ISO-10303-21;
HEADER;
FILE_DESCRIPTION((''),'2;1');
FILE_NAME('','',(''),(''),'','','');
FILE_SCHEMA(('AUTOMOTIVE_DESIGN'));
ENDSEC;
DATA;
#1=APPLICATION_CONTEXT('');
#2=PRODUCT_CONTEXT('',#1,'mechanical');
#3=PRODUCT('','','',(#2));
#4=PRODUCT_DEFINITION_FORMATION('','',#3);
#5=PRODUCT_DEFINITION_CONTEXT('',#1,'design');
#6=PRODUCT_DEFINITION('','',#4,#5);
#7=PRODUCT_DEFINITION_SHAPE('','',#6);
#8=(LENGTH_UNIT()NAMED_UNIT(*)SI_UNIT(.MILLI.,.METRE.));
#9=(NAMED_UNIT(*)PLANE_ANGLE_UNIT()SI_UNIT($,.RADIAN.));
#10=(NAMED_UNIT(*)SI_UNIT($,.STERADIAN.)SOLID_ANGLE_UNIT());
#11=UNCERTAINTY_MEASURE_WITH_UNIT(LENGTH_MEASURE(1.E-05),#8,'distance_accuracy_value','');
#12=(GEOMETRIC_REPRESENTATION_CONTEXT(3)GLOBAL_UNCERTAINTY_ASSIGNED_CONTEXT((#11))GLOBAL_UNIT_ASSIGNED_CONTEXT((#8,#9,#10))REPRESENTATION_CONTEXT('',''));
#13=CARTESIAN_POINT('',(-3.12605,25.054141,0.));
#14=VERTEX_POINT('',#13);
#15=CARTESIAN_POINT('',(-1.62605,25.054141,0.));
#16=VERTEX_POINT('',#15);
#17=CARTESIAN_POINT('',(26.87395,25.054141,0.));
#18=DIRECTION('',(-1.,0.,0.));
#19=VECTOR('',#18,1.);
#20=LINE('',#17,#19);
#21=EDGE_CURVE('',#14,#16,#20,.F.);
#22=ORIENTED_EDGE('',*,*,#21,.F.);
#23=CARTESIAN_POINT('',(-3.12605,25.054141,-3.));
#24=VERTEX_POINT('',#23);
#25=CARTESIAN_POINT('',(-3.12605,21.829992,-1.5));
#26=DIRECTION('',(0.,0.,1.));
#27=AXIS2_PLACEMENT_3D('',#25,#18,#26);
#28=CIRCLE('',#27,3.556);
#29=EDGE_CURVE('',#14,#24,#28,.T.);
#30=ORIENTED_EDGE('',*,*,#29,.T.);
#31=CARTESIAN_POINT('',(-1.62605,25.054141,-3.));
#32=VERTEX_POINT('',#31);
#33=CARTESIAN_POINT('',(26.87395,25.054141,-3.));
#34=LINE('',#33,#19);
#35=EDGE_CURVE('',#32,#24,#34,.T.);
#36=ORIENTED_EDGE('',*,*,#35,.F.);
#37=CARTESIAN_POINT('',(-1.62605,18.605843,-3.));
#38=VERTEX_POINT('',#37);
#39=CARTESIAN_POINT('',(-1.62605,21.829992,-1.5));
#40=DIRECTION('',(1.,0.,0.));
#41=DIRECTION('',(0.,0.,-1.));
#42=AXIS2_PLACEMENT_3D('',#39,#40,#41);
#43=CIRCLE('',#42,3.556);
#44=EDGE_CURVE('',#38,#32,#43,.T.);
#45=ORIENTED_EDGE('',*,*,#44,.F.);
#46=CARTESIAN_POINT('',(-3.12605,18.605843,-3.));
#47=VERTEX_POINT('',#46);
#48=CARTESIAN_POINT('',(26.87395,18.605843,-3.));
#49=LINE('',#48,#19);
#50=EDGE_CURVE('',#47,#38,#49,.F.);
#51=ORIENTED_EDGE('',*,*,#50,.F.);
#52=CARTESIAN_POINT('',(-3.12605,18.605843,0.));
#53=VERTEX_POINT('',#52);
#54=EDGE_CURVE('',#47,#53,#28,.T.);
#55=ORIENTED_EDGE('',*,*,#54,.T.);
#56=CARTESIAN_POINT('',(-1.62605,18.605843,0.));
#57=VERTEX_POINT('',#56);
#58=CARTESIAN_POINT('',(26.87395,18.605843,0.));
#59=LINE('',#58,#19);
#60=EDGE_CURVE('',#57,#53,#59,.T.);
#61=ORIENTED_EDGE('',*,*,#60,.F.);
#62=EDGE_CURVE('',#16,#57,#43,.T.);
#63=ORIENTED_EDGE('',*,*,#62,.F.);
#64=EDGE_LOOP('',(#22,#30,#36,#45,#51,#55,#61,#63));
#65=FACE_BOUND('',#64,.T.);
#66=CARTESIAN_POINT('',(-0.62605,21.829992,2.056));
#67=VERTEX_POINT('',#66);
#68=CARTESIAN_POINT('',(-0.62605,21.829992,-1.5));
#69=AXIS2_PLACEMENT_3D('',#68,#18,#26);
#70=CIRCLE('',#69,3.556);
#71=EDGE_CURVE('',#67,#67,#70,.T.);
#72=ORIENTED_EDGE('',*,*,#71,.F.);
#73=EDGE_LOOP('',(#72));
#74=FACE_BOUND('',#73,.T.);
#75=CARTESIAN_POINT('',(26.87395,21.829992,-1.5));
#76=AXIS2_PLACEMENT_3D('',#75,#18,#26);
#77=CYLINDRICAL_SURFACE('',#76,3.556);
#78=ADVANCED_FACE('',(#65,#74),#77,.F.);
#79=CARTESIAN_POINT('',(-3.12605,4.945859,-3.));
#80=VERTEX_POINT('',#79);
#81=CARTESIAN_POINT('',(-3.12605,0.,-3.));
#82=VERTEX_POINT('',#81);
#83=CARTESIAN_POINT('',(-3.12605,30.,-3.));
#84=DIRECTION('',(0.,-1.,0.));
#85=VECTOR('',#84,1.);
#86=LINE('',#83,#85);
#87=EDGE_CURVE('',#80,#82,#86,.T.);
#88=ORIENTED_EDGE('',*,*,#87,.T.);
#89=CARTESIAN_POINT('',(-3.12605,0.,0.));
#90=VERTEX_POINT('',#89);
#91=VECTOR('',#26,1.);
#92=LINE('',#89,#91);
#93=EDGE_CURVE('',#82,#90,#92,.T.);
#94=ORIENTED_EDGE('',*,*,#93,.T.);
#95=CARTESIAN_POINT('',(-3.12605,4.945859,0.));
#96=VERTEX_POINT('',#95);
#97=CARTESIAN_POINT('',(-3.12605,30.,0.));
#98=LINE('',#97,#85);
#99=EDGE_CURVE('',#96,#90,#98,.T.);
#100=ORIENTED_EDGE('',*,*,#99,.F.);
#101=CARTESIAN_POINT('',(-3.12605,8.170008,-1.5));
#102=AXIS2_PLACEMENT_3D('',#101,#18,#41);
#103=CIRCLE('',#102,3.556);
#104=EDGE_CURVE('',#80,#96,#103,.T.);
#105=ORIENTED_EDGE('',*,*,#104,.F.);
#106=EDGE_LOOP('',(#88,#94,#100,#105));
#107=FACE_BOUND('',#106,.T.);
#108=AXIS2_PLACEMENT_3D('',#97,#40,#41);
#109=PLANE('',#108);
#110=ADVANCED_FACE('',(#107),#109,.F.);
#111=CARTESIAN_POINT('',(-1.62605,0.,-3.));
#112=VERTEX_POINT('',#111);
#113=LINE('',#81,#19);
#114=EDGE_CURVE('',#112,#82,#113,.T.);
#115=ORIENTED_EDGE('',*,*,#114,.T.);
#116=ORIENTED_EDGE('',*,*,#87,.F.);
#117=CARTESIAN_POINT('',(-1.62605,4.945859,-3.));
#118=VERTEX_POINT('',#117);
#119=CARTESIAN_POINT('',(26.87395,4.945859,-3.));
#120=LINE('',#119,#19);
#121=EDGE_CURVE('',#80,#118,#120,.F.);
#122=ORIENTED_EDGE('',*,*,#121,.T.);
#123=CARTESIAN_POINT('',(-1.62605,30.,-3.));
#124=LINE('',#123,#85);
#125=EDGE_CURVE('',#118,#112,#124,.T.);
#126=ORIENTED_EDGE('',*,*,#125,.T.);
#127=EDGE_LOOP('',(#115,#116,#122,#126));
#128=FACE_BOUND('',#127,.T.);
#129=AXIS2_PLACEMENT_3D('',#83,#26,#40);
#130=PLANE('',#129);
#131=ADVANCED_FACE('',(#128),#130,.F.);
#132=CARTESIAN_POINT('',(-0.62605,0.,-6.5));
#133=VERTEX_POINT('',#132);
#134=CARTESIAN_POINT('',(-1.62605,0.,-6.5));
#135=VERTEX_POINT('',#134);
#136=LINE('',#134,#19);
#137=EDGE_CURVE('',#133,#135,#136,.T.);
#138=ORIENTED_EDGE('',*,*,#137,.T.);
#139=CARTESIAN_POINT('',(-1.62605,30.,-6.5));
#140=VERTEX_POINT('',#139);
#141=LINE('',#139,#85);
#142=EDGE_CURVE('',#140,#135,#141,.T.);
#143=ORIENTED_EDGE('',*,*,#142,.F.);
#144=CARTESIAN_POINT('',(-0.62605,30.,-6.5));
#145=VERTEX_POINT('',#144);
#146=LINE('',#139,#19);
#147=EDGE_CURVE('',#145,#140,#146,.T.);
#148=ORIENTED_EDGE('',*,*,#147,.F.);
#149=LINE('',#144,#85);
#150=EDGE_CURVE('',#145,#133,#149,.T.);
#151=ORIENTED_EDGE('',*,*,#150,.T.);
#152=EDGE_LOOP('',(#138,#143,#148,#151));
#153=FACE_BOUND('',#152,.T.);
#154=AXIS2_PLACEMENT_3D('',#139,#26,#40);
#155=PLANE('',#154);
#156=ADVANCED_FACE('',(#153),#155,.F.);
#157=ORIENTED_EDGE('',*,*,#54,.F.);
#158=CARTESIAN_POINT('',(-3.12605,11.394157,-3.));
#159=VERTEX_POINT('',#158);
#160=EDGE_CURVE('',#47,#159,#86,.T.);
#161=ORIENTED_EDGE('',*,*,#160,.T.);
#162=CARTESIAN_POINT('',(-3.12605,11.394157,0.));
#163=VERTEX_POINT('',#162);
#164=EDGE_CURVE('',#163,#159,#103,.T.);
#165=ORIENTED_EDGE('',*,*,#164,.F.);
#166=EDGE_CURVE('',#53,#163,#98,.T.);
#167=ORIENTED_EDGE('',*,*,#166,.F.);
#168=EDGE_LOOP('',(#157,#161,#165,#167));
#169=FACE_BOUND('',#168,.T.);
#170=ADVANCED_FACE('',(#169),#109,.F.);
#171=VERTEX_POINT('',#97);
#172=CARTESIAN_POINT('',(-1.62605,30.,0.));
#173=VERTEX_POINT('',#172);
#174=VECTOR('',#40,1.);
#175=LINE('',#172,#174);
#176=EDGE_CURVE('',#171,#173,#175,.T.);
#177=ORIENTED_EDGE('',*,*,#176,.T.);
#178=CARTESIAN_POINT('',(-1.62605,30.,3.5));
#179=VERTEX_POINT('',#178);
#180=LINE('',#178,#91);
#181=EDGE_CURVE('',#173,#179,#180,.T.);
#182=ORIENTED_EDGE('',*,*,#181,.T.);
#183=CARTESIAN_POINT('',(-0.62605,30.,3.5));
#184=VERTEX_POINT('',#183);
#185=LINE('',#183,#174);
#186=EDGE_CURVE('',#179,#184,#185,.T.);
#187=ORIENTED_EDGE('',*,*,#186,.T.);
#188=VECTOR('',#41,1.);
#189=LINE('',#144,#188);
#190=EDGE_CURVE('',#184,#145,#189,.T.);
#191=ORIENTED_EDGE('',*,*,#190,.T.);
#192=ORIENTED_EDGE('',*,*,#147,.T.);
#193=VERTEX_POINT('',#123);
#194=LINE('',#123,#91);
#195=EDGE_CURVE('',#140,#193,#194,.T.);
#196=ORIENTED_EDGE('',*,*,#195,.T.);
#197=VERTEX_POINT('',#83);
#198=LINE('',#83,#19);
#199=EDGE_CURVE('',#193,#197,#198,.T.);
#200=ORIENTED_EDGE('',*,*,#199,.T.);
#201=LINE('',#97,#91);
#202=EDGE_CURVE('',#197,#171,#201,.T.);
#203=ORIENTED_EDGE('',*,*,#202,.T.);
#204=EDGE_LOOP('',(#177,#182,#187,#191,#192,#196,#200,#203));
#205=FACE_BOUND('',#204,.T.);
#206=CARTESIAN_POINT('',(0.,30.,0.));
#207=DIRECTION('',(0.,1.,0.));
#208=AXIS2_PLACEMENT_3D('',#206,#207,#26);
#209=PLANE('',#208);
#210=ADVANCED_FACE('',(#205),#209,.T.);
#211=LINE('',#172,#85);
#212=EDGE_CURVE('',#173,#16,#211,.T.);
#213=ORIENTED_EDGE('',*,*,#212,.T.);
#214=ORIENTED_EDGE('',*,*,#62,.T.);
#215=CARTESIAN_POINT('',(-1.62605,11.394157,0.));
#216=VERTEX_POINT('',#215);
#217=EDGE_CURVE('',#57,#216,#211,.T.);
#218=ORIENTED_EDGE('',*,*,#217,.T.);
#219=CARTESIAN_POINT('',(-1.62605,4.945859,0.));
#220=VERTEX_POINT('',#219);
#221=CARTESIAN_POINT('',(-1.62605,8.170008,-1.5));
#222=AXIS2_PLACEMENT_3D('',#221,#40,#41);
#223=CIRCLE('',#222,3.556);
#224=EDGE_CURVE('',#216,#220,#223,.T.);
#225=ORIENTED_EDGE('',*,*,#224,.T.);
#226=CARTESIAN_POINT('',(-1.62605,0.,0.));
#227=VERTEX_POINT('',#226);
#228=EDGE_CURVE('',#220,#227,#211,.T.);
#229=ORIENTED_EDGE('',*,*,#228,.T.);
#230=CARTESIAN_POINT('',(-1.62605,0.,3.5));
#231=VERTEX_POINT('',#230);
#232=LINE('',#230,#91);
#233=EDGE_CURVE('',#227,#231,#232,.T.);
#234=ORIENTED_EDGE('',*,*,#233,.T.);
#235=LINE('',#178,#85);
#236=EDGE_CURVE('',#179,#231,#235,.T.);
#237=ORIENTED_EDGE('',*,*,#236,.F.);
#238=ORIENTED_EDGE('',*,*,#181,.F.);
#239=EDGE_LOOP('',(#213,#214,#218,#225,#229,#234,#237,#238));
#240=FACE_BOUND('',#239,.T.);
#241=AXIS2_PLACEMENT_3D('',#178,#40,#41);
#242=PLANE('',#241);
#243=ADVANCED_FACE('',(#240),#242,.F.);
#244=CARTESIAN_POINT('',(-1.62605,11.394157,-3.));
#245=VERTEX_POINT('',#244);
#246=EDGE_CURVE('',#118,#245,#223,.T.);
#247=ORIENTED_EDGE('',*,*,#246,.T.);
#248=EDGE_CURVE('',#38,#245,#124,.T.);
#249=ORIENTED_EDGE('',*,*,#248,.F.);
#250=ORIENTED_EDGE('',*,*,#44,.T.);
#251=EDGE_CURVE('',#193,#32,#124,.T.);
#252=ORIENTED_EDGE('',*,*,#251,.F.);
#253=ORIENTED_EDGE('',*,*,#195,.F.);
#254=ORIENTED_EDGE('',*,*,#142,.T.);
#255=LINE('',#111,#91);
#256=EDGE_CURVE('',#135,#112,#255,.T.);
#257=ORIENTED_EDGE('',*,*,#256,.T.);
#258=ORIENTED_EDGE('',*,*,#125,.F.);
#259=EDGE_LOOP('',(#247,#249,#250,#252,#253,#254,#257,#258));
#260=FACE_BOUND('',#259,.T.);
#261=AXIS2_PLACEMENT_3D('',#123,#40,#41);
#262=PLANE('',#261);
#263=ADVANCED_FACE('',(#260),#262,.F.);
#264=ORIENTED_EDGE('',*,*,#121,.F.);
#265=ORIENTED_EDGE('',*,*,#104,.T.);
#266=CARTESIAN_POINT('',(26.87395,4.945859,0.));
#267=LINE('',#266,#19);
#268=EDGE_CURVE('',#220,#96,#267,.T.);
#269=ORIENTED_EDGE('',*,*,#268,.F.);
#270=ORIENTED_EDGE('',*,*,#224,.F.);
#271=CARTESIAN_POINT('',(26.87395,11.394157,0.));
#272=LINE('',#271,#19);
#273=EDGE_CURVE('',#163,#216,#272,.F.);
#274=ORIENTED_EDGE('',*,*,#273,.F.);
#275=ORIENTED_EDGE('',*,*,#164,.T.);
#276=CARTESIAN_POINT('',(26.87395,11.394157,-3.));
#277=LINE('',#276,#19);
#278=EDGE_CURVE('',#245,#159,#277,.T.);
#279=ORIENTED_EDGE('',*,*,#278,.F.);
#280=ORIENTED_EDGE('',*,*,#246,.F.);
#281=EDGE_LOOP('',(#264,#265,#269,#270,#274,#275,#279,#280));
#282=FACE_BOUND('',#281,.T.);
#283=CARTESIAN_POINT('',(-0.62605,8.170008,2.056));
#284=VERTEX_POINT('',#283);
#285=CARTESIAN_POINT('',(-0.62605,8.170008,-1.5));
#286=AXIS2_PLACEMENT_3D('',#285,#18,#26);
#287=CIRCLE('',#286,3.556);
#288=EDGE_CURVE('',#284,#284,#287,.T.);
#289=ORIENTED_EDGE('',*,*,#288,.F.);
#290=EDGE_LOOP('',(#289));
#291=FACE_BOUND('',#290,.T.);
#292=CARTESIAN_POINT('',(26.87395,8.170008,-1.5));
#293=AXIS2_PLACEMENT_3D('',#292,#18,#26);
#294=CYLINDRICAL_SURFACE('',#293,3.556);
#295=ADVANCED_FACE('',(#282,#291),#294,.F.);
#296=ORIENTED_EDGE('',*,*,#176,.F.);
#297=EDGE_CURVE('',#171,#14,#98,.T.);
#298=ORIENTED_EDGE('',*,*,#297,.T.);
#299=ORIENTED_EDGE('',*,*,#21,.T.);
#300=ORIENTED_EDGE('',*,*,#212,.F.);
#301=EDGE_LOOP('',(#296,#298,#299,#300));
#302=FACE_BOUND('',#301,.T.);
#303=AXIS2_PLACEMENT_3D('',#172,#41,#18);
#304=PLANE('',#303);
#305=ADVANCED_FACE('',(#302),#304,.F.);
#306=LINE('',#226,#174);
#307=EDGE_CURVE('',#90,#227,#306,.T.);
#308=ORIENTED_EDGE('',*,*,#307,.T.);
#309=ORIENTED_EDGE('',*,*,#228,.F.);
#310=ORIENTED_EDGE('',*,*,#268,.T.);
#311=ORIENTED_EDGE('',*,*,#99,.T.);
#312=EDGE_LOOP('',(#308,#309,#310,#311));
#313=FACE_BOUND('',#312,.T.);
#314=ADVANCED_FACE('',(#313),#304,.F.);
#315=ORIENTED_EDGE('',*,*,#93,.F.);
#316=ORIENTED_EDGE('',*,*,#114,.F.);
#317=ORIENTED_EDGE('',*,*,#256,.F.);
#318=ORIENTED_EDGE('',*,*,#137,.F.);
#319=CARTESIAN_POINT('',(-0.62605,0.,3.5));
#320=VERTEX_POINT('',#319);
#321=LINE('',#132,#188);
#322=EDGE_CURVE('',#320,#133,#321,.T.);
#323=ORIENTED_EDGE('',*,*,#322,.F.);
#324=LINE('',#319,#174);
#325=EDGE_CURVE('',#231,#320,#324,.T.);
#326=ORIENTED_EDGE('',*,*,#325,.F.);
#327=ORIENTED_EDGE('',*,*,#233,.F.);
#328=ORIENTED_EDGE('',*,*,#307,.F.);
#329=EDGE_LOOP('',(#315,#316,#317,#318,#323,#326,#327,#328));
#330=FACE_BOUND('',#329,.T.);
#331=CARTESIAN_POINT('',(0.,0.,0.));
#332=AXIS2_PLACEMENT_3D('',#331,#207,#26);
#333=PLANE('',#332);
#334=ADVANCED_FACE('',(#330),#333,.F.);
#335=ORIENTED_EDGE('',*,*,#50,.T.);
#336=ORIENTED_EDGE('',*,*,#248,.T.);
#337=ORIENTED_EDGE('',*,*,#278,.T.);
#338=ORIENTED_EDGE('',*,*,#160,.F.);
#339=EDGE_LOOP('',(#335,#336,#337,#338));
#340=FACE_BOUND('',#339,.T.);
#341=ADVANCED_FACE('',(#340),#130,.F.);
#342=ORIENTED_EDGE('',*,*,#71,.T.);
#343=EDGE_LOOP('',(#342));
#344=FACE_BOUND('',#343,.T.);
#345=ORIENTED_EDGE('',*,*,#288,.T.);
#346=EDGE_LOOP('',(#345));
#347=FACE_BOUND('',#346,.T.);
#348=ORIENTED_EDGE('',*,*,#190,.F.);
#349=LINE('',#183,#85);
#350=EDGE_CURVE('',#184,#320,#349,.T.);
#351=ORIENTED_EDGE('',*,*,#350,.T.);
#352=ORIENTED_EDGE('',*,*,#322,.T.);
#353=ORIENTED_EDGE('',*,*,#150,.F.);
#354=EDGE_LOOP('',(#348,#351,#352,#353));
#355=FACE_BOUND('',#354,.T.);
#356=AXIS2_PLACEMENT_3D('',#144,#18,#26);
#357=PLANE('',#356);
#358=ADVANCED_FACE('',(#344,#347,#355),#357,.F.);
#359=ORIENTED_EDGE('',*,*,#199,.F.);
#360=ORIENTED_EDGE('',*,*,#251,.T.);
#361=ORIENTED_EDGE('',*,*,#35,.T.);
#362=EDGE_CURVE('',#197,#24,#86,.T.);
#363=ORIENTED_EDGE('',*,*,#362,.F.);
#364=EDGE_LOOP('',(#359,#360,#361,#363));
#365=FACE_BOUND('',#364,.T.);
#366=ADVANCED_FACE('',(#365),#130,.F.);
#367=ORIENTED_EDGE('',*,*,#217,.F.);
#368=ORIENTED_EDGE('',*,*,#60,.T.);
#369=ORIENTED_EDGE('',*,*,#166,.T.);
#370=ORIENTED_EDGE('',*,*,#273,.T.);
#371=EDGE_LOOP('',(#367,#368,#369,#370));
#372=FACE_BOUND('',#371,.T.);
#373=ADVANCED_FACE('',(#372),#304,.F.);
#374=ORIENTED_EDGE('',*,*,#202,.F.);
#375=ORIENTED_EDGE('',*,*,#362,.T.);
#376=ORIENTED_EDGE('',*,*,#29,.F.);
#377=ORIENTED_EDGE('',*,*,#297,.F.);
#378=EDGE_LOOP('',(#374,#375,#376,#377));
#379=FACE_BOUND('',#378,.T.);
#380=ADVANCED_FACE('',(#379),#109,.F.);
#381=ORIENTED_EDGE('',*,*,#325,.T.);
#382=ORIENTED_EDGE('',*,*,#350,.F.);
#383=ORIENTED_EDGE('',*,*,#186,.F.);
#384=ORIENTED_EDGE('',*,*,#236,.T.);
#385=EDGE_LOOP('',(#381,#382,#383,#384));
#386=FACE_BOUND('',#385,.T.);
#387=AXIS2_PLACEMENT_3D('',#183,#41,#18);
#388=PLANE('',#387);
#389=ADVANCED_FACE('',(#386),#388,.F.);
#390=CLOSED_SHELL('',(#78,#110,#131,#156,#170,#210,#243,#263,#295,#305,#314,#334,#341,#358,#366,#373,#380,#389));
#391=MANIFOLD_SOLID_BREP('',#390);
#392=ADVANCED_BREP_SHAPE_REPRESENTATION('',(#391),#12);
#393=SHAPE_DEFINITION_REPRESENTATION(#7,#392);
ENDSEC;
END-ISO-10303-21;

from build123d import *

# Parameters (mm, degrees)
BOSS_EXTRUDE1_DEPTH = 30
SKETCH2_R           = 3.556
CUT_EXTRUDE1_DEPTH  = 30


with BuildPart() as part:
    # Sketch1 → Boss-Extrude1 (new body)
    with BuildSketch(Plane(origin=(0, 0, 0), x_dir=(1, 0, 0), z_dir=(0, 1, 0))):
        Polygon((-1.62605042, 3), (-1.62605042, 6.5), (-0.62605042, 6.5), (-0.62605042, -3.5), (-1.62605042, -3.5), (-1.62605042, 0), (-3.12605042, 0), (-3.12605042, 3), align=None)
    extrude(amount=BOSS_EXTRUDE1_DEPTH)

    # Sketch2 → Cut-Extrude1 (cut)
    with BuildSketch(Plane.ZY.offset(3.12605042)):
        with Locations((-1.5, 21.829992104)):
            Circle(SKETCH2_R)
        with Locations((-1.5, 8.170007896)):
            Circle(SKETCH2_R)
    extrude(amount=-CUT_EXTRUDE1_DEPTH, mode=Mode.SUBTRACT)


solid = part.part
